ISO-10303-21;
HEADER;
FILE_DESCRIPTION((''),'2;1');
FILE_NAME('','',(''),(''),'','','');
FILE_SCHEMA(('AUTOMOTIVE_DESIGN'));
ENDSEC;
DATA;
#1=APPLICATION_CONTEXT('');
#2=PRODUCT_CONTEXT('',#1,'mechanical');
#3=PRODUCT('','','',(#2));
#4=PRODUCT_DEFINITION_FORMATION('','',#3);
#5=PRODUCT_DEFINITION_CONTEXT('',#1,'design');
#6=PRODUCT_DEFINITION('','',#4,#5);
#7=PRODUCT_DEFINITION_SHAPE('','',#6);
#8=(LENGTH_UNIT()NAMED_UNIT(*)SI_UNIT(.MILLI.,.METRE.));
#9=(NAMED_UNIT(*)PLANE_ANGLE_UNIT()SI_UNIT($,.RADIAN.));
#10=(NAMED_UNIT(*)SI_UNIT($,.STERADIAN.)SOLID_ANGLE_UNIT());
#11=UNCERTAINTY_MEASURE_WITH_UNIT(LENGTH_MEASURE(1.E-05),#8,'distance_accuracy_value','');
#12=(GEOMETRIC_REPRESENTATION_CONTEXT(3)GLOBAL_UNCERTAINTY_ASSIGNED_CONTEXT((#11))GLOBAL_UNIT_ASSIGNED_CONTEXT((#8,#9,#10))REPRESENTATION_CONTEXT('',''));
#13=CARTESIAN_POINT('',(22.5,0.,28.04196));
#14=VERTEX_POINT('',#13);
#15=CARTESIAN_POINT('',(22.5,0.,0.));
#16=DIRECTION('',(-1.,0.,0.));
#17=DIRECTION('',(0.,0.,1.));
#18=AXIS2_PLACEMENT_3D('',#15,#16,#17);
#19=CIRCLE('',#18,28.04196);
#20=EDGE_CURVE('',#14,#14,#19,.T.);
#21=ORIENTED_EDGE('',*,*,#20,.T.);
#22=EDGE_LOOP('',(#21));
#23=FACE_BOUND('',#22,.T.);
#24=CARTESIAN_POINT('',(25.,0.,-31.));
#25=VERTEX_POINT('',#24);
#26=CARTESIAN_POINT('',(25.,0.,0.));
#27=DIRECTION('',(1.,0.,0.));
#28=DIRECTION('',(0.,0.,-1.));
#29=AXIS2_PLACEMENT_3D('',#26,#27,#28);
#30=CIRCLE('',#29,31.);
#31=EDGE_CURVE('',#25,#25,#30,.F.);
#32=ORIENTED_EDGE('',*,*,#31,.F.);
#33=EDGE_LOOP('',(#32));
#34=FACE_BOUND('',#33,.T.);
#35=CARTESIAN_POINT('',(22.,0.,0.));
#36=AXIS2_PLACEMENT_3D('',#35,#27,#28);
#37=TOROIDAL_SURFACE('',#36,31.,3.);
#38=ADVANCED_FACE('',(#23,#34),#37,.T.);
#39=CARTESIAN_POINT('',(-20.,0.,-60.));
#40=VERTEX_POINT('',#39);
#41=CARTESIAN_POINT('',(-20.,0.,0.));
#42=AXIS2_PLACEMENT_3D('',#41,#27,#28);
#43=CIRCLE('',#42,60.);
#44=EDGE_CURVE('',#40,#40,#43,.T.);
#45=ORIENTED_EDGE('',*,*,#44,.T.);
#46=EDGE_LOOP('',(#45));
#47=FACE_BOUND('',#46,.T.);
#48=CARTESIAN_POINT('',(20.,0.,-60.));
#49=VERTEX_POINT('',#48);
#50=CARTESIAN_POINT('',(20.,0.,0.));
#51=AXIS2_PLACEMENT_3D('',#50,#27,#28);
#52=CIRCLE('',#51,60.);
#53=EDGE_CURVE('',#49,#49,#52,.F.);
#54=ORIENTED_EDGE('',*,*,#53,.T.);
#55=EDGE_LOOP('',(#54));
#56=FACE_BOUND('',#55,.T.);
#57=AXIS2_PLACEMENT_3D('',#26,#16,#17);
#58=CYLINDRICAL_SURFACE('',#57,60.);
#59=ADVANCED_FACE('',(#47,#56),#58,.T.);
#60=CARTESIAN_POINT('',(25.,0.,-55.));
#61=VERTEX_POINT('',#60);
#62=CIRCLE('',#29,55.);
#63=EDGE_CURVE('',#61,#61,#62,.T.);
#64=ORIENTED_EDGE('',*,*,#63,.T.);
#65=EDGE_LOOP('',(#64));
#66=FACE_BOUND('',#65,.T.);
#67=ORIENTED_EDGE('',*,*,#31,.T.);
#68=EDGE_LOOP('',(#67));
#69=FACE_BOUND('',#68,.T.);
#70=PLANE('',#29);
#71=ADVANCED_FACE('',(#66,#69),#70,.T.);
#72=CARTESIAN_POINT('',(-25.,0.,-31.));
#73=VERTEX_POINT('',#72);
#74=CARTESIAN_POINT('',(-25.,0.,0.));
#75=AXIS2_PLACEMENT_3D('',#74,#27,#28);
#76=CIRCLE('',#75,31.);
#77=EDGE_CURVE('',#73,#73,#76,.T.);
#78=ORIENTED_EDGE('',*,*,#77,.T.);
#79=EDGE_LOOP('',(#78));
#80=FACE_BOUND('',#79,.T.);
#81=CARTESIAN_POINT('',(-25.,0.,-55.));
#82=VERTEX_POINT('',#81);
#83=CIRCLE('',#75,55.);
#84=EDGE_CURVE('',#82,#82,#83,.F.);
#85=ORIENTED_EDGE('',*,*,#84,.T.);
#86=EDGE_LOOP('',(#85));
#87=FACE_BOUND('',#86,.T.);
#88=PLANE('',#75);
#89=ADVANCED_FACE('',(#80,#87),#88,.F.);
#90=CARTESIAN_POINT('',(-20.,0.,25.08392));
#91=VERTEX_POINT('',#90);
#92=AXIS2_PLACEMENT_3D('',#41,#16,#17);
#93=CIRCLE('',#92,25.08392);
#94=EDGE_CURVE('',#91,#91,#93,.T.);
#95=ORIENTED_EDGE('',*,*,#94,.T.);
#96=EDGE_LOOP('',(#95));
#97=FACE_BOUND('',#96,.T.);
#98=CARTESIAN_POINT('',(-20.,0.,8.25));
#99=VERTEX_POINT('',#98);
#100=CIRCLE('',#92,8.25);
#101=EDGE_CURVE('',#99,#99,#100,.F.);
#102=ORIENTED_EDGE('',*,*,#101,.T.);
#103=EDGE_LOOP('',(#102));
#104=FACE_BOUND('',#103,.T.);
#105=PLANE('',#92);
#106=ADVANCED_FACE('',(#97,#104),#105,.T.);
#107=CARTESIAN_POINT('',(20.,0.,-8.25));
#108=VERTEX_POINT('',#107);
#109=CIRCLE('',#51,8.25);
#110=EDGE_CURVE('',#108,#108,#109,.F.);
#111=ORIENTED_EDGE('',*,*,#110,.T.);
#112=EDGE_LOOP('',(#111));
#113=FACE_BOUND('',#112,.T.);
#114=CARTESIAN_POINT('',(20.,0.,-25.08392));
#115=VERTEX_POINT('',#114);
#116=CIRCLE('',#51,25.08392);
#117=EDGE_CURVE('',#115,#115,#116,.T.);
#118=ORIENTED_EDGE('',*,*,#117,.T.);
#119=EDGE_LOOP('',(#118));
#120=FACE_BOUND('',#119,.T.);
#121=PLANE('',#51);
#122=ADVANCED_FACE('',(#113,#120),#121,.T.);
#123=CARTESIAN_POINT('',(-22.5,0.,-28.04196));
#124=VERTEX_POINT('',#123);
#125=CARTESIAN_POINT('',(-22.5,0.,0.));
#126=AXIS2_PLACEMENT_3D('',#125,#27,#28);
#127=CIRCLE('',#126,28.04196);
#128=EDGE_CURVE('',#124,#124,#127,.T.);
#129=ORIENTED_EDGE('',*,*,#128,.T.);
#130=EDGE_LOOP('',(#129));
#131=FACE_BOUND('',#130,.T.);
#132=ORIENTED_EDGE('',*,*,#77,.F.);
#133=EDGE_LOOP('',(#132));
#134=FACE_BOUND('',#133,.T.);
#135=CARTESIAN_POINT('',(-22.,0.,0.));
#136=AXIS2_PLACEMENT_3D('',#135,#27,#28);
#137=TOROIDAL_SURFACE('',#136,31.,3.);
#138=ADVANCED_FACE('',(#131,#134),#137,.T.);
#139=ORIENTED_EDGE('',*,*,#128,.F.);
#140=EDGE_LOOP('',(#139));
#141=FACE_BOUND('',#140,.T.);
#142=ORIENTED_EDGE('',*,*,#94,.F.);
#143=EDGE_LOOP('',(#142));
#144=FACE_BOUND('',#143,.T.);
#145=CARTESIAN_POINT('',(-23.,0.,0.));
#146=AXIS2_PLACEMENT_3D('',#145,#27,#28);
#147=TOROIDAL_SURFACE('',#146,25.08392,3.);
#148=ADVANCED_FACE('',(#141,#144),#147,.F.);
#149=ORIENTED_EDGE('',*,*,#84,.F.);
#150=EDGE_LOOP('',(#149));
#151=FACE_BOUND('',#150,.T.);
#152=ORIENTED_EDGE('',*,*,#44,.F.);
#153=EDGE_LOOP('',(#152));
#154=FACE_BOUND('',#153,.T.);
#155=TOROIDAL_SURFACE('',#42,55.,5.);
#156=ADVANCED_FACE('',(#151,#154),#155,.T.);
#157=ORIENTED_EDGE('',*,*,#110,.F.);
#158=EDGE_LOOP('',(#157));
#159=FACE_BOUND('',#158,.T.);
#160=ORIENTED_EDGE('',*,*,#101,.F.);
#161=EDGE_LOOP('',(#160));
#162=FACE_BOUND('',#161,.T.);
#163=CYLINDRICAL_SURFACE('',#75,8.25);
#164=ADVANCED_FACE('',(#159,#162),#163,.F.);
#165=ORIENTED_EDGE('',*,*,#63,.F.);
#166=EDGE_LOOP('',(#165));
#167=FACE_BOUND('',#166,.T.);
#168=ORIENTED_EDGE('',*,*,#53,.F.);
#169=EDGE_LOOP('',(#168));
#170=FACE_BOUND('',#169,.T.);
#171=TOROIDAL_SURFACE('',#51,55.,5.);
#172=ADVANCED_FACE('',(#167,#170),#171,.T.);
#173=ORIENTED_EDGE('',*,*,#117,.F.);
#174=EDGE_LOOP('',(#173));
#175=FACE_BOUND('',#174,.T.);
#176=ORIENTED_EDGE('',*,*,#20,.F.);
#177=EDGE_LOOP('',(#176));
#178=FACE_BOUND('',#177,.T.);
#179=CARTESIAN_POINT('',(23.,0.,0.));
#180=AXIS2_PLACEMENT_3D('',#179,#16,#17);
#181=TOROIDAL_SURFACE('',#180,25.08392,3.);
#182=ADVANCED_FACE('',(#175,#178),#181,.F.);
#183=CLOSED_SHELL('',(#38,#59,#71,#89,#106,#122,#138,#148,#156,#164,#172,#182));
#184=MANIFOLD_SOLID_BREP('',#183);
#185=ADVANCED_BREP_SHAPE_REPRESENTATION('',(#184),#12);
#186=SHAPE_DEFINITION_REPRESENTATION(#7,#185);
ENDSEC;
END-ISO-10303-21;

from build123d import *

# Parameters (mm, degrees)
SKETCH_1_R          = 60
EXTRUDE_1_DEPTH     = 25
FILLET_1_R          = 5
SKETCH_2_R          = 8.25
CUT_EXTRUDE_1_DEPTH = 99.488578018
CHAMFER_1_SIZE      = 3
SKETCH_3_R          = 28
CUT_EXTRUDE_2_DEPTH = 5
FILLET_2_R          = 3
FILLET_3_R          = 3
SKETCH_4_R          = 28
CUT_EXTRUDE_3_DEPTH = 5
FILLET_4_R          = 3
FILLET_5_R          = 3


with BuildPart() as part:
    # 草图1 → 凸台-拉伸1 (new, symmetric)
    with BuildSketch(Plane(origin=(0, 0, 0), x_dir=(0, 0, -1), z_dir=(1, 0, 0))):
        Circle(SKETCH_1_R)
    extrude(amount=EXTRUDE_1_DEPTH, both=True)

    # 圆角1
    fillet_1_edges = [part.edges().sort_by_distance(p)[0] for p in [
        (-25, 0, 60),
        (25, 0, 60),
    ]]
    fillet(fillet_1_edges, radius=FILLET_1_R)

    # 草图2 → 切除-拉伸1 (cut, through all)
    with BuildSketch(Plane(origin=(25, 0, 0), x_dir=(0, 0, -1), z_dir=(1, 0, 0))):
        Circle(SKETCH_2_R)
    extrude(amount=-CUT_EXTRUDE_1_DEPTH, mode=Mode.SUBTRACT)

    # 倒角1
    chamfer_1_edges = [part.edges().sort_by_distance(p)[0] for p in [
        (-25, 0, 8.25),
        (25, 0, 8.25),
    ]]
    chamfer(chamfer_1_edges, length=CHAMFER_1_SIZE)

    # 草图3 → 切除-拉伸2 (cut)
    with BuildSketch(Plane(origin=(25, 0, 0), x_dir=(0, 0, -1), z_dir=(1, 0, 0))):
        Circle(SKETCH_3_R)
    extrude(amount=-CUT_EXTRUDE_2_DEPTH, mode=Mode.SUBTRACT)

    # 圆角2
    fillet_2_edges = [part.edges().sort_by_distance(p)[0] for p in [
        (25, 0, 28),
    ]]
    fillet(fillet_2_edges, radius=FILLET_2_R)

    # 圆角3
    fillet_3_edges = [part.edges().sort_by_distance(p)[0] for p in [
        (20, 0, 28),
    ]]
    fillet(fillet_3_edges, radius=FILLET_3_R)

    # 草图4 → 切除-拉伸3 (cut)
    with BuildSketch(Plane.ZY.offset(25)):
        Circle(SKETCH_4_R)
    extrude(amount=-CUT_EXTRUDE_3_DEPTH, mode=Mode.SUBTRACT)

    # 圆角4
    fillet_4_edges = [part.edges().sort_by_distance(p)[0] for p in [
        (-25, 0, -28),
    ]]
    fillet(fillet_4_edges, radius=FILLET_4_R)

    # 圆角5
    fillet_5_edges = [part.edges().sort_by_distance(p)[0] for p in [
        (-20, 0, -28),
    ]]
    fillet(fillet_5_edges, radius=FILLET_5_R)


solid = part.part
